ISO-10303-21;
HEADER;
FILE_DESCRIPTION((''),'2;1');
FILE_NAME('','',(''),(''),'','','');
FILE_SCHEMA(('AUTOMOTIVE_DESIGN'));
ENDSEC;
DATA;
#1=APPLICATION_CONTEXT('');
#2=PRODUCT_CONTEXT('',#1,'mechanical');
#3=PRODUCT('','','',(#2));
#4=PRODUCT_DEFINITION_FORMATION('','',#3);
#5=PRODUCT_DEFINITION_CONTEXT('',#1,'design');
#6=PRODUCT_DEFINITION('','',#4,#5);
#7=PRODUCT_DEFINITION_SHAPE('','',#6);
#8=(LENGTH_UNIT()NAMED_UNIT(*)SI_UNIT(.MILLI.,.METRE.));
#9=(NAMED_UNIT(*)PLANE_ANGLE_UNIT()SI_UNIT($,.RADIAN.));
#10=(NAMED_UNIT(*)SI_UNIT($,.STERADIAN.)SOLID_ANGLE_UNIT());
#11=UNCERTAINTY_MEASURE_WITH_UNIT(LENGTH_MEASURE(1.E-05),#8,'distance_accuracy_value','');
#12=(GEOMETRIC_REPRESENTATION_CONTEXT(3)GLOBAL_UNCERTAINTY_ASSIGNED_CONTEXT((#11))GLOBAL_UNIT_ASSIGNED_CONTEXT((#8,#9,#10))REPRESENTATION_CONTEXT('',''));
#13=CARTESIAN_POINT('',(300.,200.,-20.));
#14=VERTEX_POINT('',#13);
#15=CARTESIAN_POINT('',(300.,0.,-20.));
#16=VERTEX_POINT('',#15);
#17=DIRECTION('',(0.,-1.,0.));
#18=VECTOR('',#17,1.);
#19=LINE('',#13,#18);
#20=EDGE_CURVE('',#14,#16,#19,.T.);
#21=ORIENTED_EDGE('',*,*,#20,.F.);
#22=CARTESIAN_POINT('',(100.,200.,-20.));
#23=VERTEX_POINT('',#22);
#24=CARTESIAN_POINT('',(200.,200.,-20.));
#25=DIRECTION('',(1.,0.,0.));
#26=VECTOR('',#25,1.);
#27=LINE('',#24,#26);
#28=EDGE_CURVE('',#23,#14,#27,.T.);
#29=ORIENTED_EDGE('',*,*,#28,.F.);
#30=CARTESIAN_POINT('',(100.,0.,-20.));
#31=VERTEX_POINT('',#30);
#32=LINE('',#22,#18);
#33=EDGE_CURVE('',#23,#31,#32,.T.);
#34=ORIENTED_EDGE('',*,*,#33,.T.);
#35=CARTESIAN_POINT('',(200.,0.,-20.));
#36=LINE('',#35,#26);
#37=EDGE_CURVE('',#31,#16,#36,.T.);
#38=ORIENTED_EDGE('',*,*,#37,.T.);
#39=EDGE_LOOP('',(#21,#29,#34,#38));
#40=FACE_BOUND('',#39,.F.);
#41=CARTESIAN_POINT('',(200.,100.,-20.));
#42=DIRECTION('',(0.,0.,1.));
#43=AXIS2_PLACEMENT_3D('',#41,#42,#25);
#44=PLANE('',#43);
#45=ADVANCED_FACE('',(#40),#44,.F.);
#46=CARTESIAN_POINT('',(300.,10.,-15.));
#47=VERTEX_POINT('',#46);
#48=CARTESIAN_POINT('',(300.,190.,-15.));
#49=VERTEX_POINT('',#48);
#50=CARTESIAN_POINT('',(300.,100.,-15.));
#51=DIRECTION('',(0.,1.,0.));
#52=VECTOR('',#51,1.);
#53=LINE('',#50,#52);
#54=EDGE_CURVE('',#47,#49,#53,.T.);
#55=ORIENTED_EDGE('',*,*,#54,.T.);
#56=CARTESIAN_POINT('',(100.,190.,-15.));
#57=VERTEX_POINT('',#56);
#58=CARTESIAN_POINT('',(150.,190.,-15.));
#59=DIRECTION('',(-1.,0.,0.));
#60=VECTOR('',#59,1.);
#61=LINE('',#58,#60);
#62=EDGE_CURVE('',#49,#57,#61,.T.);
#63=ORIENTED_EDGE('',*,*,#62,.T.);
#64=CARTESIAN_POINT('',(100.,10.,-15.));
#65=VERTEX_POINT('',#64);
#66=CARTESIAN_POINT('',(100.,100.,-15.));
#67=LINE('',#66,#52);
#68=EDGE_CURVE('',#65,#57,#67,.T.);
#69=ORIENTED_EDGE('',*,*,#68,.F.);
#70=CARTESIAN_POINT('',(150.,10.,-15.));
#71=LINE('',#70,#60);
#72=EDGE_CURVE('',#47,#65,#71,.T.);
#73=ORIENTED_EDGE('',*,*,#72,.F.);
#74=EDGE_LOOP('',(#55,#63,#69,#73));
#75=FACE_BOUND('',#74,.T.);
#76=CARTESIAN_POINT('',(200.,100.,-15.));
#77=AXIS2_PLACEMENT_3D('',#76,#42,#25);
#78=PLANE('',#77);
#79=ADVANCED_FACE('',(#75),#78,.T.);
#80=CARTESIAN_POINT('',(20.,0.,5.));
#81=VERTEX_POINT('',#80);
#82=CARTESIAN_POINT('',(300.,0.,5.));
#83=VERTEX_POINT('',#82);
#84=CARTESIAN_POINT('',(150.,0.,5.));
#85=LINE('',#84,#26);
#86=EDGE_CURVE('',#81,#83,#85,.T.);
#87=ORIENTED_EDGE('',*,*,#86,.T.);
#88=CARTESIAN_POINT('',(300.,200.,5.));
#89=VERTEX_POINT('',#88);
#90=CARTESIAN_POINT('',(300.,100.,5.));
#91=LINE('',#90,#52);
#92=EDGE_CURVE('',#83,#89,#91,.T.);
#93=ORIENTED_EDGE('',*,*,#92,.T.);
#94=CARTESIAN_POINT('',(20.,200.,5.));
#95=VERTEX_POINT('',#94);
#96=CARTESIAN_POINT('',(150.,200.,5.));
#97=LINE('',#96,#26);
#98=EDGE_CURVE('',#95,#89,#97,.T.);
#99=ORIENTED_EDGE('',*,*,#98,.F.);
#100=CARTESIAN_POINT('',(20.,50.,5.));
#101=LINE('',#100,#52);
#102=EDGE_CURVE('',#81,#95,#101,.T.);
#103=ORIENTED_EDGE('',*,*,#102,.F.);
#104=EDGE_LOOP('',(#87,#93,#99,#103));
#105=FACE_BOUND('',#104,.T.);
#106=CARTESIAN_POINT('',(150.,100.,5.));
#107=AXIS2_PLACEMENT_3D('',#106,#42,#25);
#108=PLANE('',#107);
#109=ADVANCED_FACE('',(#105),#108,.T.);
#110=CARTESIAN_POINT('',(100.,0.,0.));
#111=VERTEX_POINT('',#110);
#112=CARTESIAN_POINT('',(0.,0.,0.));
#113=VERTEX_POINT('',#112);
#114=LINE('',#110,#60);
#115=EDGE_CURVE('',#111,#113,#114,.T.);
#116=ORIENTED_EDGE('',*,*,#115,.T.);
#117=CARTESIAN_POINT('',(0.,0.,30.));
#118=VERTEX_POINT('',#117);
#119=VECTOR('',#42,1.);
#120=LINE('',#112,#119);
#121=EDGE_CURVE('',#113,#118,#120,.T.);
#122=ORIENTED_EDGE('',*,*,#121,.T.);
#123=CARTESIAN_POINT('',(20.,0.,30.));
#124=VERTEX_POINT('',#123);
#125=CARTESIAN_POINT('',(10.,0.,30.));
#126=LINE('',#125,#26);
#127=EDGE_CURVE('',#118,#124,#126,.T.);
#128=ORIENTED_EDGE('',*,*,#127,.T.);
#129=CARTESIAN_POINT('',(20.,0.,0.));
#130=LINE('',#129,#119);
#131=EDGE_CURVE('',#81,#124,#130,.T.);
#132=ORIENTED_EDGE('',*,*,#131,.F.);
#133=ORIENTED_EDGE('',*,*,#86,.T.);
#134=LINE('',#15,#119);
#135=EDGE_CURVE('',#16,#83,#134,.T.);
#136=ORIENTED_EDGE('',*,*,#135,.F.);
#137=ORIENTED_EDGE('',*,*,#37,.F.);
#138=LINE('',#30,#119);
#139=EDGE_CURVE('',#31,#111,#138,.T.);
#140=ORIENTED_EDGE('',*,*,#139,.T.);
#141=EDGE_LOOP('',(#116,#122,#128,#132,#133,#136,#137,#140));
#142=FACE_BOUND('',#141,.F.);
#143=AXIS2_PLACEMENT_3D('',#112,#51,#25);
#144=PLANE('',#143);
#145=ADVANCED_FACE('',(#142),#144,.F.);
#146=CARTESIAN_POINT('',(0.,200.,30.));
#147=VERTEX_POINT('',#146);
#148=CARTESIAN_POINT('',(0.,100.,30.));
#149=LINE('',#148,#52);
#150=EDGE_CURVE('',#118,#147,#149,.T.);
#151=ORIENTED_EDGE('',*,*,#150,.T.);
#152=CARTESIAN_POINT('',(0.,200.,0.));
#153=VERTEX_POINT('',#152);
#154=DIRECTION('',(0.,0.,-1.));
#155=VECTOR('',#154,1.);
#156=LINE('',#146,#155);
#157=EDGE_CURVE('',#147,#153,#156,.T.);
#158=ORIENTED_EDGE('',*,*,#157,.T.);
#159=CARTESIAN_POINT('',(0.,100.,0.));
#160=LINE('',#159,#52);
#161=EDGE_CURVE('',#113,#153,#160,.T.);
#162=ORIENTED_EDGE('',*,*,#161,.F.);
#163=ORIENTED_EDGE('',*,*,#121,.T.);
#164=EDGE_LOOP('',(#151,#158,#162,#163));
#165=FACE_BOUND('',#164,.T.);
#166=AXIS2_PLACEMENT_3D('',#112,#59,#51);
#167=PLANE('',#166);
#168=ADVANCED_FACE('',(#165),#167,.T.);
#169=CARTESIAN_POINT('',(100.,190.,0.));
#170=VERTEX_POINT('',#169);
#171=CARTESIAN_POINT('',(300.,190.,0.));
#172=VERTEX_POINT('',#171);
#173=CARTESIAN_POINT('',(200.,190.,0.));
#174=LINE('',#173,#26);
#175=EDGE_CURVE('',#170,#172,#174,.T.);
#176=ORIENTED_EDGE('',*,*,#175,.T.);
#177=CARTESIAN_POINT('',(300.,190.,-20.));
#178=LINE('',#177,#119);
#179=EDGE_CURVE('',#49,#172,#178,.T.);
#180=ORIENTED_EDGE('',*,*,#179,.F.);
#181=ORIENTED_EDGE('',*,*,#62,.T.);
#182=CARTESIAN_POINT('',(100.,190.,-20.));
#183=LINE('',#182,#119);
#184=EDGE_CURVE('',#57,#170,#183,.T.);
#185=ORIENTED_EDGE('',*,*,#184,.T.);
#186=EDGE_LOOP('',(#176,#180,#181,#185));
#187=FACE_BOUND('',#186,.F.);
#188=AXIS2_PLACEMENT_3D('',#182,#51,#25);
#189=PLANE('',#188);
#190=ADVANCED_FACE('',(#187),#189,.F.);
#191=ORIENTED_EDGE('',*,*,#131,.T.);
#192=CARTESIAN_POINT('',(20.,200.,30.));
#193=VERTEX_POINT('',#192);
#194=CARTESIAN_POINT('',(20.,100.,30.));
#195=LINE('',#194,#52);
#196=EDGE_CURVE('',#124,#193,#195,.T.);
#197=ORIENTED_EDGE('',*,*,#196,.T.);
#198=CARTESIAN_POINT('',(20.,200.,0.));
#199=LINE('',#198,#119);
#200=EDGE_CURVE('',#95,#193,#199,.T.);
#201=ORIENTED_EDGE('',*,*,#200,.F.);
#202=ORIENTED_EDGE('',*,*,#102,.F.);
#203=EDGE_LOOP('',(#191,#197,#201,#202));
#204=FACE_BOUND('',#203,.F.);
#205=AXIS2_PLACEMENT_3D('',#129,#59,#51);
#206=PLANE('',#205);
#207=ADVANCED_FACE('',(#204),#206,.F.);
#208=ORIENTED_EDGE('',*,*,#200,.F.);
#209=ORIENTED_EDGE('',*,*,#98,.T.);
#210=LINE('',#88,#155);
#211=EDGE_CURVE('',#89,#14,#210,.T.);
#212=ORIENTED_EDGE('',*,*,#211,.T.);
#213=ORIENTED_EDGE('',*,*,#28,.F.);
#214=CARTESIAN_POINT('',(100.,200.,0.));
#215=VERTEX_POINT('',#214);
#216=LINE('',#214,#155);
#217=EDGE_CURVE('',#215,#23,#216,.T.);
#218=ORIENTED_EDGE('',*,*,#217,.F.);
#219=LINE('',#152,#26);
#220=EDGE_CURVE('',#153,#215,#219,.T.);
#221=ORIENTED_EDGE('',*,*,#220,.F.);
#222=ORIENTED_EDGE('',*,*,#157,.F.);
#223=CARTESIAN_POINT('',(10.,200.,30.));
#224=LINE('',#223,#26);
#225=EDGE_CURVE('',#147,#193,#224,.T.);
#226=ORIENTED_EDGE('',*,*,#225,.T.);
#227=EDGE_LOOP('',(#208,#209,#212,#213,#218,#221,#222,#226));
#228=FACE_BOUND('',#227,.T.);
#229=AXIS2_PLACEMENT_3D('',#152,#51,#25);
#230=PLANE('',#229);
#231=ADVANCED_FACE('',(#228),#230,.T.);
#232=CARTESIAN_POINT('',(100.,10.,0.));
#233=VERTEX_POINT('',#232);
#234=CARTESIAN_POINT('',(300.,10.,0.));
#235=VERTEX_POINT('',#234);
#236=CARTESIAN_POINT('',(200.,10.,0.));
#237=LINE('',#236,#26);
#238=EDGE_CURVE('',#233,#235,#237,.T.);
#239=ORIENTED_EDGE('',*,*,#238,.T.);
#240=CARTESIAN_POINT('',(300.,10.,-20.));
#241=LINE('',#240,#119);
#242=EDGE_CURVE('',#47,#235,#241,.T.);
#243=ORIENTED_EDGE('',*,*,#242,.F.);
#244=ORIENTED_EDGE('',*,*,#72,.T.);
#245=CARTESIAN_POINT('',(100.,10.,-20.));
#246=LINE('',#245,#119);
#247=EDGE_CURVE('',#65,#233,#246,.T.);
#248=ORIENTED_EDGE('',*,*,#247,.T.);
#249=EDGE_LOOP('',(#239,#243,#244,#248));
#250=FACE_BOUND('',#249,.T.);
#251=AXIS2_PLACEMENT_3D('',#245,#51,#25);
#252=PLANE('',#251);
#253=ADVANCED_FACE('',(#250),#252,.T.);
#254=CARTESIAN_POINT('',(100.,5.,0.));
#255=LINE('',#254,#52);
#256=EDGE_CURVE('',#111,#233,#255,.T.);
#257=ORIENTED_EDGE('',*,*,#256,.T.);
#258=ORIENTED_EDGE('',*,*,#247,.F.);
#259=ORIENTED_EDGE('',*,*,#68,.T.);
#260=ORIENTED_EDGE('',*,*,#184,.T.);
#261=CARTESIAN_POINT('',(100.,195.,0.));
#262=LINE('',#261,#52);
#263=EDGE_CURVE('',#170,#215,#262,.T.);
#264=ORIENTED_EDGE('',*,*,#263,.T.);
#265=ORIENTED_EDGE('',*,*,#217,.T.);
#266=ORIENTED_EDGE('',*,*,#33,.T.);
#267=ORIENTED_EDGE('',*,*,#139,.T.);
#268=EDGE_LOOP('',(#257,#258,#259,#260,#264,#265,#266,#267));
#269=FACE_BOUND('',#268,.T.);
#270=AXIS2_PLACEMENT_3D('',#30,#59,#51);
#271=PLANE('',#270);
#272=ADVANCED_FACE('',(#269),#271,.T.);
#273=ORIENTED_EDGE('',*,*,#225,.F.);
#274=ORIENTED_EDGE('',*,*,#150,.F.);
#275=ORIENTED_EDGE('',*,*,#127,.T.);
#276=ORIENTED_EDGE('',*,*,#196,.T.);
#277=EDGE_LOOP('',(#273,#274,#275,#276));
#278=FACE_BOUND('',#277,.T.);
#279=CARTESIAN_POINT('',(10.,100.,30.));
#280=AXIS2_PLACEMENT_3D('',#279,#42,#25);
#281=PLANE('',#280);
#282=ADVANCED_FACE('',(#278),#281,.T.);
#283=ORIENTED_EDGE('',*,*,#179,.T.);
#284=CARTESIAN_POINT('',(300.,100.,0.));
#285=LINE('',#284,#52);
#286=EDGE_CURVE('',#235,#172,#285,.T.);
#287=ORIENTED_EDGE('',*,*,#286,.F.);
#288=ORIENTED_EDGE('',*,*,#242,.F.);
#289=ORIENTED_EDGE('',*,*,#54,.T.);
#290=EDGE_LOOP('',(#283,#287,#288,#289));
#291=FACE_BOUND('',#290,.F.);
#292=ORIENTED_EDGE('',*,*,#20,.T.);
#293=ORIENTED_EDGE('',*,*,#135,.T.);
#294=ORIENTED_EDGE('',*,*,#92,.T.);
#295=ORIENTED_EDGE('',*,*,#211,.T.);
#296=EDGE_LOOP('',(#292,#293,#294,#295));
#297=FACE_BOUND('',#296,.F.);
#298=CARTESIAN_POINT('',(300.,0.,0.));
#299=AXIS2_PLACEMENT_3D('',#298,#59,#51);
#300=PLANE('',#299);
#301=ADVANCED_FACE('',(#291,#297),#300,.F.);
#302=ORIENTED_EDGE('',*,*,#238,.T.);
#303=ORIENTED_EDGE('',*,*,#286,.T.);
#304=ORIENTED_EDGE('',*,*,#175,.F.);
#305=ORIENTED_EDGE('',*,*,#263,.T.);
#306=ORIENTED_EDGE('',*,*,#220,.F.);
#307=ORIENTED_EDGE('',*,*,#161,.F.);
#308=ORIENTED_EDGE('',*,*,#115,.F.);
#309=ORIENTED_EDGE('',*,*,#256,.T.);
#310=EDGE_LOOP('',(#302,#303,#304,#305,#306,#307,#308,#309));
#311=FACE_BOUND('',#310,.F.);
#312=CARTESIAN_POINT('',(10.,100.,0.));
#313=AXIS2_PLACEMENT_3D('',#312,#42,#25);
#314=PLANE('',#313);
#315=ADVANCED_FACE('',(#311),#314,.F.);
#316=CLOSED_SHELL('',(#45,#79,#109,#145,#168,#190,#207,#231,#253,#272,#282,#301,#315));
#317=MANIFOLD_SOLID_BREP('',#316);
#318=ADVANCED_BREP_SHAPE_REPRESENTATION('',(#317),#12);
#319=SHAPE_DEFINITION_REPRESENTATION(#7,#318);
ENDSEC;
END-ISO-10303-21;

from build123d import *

# Parameters (mm, degrees)
BOX001_W     = 20
BOX001_H     = 200
BOX001_DEPTH = 30
BOX002_W     = 200
BOX002_H     = 10
BOX002_DEPTH = 20
BOX003_W     = 200
BOX003_H     = 10
BOX003_DEPTH = 20
BOX004_W     = 300
BOX004_H     = 200
BOX004_DEPTH = 5
BOX_W        = 200
BOX_H        = 200
BOX_DEPTH    = 5


with BuildPart() as cube001:
    # Box001 → Box001 (new body)
    with BuildSketch(Plane.XY):
        with Locations((10, 100)):
            Rectangle(BOX001_W, BOX001_H)
    extrude(amount=BOX001_DEPTH)


with BuildPart() as cube002:
    # Box002 → Box002 (new body)
    with BuildSketch(Plane(origin=(100, 190, -20), x_dir=(1, 0, 0), z_dir=(0, 0, 1))):
        with Locations((100, 5)):
            Rectangle(BOX002_W, BOX002_H)
    extrude(amount=BOX002_DEPTH)


with BuildPart() as cube003:
    # Box003 → Box003 (new body)
    with BuildSketch(Plane(origin=(100, 0, -20), x_dir=(1, 0, 0), z_dir=(0, 0, 1))):
        with Locations((100, 5)):
            Rectangle(BOX003_W, BOX003_H)
    extrude(amount=BOX003_DEPTH)


with BuildPart() as cube004:
    # Box004 → Box004 (new body)
    with BuildSketch(Plane.XY):
        with Locations((150, 100)):
            Rectangle(BOX004_W, BOX004_H)
    extrude(amount=BOX004_DEPTH)


with BuildPart() as fusion:
    # Box → Box (new body)
    with BuildSketch(Plane(origin=(100, 0, -20), x_dir=(1, 0, 0), z_dir=(0, 0, 1))):
        with Locations((100, 100)):
            Rectangle(BOX_W, BOX_H)
    extrude(amount=BOX_DEPTH)

    # Fusion: union Cube001, Cube002, Cube003, Cube004
    add(cube001.part)
    add(cube002.part)
    add(cube003.part)
    add(cube004.part)


solid = fusion.part
